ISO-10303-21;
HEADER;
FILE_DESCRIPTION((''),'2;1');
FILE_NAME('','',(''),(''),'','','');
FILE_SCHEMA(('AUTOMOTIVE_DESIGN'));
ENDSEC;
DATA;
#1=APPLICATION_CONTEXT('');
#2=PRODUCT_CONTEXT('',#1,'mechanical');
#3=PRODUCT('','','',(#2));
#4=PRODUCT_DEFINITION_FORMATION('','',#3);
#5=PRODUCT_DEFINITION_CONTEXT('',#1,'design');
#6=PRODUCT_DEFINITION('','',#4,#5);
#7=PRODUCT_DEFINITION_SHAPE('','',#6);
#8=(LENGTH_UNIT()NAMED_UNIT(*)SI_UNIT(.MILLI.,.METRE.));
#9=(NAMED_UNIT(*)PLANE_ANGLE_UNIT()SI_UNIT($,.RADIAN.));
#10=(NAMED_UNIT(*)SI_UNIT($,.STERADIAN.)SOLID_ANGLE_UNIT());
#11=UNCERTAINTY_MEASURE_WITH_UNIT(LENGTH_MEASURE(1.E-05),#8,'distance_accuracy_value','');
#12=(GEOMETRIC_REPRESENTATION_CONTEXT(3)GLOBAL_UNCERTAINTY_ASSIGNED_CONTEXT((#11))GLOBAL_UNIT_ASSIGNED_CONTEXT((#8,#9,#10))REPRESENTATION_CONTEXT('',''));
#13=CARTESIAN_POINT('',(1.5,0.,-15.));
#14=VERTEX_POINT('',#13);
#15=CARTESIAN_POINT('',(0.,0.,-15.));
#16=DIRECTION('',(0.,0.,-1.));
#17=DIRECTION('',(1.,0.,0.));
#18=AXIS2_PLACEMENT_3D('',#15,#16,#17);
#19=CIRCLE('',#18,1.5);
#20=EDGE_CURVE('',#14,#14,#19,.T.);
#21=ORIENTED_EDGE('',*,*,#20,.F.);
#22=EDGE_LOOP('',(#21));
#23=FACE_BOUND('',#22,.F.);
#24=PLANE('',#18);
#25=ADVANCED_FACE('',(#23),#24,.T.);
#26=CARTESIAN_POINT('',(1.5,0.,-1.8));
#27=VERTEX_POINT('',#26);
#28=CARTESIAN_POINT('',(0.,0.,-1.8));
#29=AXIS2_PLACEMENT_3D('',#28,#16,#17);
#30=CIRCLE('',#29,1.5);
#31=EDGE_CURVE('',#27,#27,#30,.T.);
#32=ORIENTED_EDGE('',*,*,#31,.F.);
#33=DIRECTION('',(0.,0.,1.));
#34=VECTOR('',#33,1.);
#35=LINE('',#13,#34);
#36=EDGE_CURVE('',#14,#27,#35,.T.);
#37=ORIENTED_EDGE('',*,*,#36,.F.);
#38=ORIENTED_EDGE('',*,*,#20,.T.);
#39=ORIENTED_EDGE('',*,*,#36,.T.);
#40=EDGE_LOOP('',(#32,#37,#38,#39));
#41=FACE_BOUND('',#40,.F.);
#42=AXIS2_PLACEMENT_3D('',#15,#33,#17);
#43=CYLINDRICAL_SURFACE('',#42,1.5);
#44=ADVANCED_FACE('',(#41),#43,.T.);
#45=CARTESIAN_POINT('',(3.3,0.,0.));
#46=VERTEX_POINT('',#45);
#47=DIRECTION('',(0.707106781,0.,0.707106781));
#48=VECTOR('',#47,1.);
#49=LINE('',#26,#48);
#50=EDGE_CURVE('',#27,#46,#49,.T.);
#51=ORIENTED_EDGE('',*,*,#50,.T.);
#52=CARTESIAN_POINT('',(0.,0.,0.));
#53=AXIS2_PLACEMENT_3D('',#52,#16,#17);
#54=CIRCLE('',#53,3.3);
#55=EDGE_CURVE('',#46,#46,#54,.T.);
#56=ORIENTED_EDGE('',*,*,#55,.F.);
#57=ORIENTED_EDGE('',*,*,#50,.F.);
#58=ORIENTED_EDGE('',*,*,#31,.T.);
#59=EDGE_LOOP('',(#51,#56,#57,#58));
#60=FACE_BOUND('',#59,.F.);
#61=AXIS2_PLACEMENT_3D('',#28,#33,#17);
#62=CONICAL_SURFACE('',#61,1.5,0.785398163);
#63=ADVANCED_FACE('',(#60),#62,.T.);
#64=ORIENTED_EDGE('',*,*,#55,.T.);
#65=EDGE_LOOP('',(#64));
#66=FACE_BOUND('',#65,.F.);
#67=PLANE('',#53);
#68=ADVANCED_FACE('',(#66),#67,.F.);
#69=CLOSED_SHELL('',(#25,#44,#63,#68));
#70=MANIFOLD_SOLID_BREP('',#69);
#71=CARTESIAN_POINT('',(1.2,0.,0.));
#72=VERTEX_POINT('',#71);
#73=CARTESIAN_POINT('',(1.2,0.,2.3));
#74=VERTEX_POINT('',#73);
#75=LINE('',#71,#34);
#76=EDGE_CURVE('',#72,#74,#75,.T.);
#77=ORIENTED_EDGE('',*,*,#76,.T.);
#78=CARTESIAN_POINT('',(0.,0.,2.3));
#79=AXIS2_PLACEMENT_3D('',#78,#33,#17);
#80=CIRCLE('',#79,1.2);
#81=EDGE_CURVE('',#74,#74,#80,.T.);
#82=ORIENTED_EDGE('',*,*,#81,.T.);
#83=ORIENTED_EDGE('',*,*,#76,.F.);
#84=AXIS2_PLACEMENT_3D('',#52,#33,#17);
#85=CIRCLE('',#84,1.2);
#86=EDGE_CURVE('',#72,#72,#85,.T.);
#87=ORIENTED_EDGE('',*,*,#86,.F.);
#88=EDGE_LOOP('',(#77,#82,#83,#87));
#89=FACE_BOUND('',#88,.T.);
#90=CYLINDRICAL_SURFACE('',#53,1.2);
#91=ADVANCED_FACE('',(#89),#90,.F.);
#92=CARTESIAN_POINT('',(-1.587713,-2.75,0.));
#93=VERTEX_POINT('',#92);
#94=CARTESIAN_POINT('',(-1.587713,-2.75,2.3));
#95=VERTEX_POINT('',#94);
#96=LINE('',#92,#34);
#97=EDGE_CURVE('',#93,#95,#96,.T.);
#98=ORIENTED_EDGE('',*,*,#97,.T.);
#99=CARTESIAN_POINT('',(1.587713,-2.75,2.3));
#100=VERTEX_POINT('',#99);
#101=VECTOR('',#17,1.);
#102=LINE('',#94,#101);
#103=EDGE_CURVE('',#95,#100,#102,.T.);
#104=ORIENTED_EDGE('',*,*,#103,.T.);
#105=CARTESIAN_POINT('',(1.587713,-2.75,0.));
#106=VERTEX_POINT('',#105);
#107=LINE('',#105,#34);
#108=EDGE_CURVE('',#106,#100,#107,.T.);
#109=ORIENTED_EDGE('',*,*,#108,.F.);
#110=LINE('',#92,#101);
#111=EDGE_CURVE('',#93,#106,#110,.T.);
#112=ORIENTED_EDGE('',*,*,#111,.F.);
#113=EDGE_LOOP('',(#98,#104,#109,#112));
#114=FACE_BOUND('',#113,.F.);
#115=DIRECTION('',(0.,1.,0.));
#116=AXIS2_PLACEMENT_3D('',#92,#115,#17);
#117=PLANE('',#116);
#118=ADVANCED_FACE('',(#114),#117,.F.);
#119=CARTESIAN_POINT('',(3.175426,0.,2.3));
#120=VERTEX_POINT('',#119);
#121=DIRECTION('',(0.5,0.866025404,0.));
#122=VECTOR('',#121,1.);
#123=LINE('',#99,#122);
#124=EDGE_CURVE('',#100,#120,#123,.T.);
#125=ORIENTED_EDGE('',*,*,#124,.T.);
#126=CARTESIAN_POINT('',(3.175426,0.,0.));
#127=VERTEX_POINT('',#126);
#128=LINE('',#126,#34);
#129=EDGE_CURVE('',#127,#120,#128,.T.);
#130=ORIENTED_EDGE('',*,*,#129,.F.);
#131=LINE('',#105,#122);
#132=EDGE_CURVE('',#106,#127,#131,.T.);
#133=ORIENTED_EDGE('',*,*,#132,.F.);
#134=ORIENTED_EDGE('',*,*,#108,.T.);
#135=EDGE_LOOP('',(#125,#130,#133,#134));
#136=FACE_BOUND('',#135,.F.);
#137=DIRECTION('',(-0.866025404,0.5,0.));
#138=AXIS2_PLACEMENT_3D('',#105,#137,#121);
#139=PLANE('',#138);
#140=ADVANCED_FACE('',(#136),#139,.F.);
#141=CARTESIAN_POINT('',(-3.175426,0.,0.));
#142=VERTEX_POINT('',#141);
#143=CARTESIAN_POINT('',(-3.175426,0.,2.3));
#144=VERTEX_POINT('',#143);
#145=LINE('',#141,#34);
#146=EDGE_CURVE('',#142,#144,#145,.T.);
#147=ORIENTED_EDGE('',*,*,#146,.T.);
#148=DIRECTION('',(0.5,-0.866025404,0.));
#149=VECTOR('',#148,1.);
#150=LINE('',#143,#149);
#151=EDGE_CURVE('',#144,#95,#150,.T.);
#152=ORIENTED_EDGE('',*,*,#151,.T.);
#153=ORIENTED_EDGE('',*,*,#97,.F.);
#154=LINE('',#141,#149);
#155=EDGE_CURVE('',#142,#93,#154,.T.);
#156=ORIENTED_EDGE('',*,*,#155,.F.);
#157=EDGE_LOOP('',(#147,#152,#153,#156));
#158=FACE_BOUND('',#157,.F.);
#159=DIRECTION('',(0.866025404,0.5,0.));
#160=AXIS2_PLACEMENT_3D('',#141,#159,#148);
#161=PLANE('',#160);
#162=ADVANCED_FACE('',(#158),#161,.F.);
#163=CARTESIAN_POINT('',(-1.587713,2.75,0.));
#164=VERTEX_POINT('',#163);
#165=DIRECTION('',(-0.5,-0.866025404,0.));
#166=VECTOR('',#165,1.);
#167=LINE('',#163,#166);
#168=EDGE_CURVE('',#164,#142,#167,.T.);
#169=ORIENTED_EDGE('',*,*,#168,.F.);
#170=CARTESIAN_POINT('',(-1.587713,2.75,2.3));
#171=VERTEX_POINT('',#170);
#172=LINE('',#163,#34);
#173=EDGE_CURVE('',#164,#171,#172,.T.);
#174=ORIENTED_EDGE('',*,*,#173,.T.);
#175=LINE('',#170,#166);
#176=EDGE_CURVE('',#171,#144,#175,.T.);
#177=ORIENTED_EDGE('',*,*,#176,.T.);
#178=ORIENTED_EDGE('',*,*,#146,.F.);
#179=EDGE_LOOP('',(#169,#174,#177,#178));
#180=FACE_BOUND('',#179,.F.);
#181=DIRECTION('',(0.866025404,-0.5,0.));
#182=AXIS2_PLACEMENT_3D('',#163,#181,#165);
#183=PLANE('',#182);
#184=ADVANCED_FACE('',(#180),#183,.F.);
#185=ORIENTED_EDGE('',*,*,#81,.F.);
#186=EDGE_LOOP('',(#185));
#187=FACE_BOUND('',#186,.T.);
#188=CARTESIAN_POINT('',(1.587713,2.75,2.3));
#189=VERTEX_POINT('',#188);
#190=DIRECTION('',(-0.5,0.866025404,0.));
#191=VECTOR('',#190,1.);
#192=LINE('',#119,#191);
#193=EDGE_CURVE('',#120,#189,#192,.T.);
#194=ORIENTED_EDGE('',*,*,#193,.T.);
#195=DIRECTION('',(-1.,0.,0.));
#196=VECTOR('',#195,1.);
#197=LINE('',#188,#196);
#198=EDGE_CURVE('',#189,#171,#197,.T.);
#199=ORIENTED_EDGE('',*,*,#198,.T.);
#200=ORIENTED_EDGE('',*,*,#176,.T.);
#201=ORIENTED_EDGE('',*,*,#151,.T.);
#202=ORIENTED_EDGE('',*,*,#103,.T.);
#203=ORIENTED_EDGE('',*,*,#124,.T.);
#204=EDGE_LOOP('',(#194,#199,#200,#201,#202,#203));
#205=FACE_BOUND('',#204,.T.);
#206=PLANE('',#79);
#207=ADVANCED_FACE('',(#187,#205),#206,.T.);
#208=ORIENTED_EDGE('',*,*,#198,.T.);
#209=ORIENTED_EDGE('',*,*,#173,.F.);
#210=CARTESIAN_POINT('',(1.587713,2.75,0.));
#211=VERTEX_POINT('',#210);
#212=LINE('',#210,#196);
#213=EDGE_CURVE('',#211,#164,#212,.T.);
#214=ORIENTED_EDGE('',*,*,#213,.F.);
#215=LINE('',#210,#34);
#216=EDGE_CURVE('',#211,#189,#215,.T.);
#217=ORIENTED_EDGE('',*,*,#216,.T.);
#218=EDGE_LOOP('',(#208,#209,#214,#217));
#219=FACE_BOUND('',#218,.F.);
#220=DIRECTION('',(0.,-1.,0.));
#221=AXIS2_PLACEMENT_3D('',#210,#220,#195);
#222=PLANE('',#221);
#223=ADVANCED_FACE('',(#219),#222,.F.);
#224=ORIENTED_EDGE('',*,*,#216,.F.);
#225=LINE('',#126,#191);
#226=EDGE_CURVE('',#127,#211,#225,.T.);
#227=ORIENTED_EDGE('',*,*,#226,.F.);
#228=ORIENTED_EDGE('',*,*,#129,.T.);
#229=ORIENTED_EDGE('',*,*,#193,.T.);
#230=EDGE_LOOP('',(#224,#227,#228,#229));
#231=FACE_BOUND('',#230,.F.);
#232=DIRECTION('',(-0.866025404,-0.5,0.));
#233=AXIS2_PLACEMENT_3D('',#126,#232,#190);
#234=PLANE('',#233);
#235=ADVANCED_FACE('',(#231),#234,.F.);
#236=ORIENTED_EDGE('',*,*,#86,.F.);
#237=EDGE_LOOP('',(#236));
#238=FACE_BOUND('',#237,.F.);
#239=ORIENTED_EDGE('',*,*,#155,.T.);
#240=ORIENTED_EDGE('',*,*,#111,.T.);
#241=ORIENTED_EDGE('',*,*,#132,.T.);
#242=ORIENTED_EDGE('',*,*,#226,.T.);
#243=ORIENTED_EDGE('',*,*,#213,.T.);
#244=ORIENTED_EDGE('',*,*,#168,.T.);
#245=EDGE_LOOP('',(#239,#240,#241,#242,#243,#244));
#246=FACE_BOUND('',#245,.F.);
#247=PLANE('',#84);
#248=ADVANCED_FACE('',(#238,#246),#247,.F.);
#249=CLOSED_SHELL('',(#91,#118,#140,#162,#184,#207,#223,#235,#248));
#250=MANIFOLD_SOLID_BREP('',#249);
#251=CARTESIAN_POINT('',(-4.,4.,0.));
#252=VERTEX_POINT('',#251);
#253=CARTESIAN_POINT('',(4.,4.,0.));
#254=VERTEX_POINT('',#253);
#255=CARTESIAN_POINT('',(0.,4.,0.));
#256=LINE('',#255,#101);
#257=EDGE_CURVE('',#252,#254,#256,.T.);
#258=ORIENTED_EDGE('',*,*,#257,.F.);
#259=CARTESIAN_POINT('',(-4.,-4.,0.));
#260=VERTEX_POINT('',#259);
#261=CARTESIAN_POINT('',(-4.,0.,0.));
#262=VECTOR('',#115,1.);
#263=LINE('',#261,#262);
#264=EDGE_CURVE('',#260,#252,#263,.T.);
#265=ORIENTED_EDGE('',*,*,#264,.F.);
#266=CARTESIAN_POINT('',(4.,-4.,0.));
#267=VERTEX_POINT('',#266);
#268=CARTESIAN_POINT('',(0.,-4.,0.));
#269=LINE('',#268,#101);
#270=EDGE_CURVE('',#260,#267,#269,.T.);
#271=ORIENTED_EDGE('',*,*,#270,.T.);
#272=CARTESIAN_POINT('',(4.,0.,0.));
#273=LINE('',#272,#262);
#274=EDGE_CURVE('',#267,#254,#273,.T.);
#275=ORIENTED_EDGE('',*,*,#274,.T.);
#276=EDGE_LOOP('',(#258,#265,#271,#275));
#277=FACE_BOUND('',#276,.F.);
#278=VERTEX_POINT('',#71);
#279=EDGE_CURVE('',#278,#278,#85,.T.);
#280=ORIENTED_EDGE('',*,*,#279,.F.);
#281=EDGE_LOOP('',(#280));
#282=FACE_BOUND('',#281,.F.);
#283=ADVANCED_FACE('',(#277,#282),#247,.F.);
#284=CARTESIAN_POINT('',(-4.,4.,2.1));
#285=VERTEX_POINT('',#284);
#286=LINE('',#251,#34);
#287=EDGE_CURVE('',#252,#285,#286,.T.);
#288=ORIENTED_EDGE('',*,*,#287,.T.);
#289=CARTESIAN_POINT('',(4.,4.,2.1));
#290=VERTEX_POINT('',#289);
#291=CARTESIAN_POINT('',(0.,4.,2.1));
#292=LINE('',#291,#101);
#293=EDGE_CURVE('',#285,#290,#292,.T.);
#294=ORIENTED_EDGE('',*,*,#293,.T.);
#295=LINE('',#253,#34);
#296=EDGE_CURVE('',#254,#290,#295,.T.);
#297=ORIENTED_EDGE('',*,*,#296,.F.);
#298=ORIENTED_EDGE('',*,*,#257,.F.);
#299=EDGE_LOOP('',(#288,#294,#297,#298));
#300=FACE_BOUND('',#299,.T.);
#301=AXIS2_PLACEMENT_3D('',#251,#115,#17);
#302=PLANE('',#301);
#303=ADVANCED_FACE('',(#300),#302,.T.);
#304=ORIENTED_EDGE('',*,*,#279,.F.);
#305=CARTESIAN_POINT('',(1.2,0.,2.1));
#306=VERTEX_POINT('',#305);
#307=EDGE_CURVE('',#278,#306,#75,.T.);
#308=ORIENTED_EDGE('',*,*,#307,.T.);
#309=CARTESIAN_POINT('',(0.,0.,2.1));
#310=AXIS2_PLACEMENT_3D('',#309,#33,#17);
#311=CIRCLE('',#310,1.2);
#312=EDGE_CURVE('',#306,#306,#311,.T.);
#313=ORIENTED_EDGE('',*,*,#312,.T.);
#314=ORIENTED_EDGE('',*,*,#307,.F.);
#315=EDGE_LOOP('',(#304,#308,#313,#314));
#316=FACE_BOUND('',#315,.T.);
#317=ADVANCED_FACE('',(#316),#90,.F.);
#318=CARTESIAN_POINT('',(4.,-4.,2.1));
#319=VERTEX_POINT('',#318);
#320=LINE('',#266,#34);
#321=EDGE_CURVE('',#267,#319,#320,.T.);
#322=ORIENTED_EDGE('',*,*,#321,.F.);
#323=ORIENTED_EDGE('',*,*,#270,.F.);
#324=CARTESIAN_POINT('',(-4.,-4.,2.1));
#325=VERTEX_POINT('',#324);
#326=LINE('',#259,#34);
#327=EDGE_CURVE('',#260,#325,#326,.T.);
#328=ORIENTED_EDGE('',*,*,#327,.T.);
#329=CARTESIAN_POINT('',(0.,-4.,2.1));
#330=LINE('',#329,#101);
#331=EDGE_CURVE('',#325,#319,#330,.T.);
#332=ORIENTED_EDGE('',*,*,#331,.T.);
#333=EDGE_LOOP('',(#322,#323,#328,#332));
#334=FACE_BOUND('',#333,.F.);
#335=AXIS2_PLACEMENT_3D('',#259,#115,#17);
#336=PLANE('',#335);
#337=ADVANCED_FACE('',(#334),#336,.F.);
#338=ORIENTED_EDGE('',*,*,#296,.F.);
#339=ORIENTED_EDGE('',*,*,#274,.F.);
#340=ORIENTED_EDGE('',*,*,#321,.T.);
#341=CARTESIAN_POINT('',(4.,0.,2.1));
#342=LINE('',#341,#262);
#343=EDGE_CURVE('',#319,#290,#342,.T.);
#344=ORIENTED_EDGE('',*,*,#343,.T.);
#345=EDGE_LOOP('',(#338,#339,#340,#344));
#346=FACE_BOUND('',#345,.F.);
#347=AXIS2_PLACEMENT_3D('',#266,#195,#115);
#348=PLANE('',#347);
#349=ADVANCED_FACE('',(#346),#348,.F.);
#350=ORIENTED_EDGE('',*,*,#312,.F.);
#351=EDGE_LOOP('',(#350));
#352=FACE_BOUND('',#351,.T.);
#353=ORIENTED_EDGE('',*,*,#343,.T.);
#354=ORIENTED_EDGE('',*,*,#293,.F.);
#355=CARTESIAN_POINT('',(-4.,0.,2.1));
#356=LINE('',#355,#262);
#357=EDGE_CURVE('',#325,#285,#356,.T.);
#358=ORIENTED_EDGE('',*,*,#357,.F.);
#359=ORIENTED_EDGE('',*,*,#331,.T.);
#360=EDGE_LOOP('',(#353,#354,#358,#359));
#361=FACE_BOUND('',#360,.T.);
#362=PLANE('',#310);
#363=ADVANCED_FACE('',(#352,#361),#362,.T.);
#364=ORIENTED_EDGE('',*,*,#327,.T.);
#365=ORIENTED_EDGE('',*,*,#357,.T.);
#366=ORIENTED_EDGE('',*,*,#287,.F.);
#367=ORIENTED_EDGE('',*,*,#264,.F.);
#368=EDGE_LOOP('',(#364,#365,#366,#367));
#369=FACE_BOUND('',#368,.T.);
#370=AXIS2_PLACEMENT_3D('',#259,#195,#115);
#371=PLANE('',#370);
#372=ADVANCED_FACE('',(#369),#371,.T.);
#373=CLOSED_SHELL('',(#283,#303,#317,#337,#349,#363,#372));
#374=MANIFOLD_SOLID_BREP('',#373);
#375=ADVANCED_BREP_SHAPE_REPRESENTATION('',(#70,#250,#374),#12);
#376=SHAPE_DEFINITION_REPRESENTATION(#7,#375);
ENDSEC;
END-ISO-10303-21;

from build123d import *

# Parameters (mm, degrees)
F0_R     = 1.2
F1_DEPTH = 2.3
F2_W     = 8
F2_H     = 8
F2_R     = 1.2
F3_DEPTH = 2.1


with BuildPart() as f1:
    # F0 (on Top) → F1 (new body)
    with BuildSketch(Plane.XY):
        Polygon((3.1754264805, 0), (1.5877132403, 2.75), (-1.5877132403, 2.75), (-3.1754264805, 0), (-1.5877132403, -2.75), (1.5877132403, -2.75), align=None)
        Circle(F0_R, mode=Mode.SUBTRACT)
    extrude(amount=F1_DEPTH)


with BuildPart() as f3:
    # F2 (on Top) → F3 (new body)
    with BuildSketch(Plane.XY):
        Rectangle(F2_W, F2_H)
        Circle(F2_R, mode=Mode.SUBTRACT)
    extrude(amount=F3_DEPTH)


with BuildPart() as f5:
    # F4 (on Front) → F5 (revolve)
    with BuildSketch(Plane.XZ):
        Polygon((3.3, 0), (0, 0), (0, -15), (1.5, -15), (1.5, -1.8), align=None)
    revolve(axis=Axis((0, 0, -7.5), (0, 0, -1)))


solid = Compound([f1.part, f3.part, f5.part])
